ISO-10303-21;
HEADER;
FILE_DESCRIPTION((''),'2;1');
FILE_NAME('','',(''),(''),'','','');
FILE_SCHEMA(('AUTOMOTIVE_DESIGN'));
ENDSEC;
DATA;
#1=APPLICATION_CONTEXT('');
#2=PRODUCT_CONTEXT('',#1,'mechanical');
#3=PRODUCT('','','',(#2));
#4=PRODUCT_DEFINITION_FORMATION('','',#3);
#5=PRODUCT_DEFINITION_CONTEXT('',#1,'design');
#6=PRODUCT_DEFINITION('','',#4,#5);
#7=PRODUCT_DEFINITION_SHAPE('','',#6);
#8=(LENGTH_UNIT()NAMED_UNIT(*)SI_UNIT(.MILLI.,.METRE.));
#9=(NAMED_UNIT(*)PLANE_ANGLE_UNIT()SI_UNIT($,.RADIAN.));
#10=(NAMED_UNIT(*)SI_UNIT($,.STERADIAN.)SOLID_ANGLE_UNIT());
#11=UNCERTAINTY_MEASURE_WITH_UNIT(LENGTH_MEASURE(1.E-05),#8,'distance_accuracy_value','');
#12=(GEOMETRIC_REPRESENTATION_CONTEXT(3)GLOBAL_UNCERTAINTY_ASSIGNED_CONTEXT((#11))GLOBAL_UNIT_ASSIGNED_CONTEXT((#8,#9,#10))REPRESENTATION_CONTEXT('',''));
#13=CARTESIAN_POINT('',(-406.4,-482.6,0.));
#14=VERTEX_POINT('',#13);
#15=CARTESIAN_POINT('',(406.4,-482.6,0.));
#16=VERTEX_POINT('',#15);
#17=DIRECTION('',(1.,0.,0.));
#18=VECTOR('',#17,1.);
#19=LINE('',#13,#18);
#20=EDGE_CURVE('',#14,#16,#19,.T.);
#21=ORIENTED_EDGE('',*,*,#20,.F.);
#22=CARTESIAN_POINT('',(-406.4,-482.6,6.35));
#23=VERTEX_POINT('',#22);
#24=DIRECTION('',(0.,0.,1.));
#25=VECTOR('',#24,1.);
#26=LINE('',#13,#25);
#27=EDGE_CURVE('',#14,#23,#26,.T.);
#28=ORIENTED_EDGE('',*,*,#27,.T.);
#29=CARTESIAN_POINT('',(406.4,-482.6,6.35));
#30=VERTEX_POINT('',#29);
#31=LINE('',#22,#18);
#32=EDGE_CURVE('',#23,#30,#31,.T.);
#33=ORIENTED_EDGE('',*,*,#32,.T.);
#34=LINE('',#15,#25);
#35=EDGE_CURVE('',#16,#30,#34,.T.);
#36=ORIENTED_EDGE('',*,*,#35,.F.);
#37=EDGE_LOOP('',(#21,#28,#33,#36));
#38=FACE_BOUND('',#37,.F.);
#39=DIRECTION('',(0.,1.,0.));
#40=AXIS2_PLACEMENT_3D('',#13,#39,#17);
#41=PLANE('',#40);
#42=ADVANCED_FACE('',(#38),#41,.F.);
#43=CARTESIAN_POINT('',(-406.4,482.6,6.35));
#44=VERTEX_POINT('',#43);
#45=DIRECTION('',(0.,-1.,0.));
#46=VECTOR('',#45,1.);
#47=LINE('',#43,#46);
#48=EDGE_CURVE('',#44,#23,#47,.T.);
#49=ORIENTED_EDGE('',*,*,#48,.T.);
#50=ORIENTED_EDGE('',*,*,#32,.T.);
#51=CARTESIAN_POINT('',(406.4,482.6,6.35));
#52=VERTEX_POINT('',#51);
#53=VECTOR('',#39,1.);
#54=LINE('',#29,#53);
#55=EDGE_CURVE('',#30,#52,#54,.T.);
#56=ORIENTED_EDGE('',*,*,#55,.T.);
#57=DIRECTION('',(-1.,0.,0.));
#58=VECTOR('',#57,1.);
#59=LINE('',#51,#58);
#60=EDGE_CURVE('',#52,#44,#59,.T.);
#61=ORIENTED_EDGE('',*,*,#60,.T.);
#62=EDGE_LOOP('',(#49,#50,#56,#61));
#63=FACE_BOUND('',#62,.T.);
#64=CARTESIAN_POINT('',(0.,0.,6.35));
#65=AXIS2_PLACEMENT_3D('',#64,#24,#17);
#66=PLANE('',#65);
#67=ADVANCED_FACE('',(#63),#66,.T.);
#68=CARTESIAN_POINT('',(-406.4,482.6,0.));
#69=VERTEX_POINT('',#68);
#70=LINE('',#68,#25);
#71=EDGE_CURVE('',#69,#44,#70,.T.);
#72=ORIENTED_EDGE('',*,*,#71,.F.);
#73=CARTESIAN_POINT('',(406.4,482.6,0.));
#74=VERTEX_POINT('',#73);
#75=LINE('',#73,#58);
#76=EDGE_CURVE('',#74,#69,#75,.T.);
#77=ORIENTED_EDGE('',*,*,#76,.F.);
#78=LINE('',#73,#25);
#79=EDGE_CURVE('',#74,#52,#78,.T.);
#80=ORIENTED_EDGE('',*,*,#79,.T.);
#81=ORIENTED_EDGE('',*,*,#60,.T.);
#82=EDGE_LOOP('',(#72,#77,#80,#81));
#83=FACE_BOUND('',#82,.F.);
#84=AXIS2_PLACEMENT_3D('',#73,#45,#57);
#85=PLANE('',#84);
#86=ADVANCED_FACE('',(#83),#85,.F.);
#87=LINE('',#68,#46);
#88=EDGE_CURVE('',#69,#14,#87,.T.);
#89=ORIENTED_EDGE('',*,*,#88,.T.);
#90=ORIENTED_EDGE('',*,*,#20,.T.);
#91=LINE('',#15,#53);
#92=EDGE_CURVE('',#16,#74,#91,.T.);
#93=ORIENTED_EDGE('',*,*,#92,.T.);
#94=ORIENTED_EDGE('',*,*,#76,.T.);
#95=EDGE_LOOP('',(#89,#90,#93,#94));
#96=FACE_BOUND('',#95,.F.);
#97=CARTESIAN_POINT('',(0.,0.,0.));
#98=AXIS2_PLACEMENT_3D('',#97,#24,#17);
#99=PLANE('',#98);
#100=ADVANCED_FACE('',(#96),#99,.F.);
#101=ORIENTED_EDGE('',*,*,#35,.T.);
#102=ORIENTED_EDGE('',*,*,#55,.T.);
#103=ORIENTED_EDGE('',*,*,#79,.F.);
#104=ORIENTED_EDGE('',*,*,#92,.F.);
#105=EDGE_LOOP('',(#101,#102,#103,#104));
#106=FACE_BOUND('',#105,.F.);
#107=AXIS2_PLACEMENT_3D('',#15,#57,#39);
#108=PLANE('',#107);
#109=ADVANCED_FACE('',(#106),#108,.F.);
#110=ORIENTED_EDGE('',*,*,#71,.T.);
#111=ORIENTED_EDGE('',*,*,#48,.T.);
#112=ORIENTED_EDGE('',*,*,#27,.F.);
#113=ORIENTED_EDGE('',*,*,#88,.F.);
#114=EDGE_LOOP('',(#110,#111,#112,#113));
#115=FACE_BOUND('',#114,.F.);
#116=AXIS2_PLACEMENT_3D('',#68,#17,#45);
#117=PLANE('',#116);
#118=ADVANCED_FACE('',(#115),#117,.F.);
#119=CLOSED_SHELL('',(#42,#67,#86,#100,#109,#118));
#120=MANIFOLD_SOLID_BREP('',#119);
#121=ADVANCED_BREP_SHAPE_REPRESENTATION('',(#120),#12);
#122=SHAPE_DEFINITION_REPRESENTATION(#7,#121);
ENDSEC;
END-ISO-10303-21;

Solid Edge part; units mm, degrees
sketch "Sketch1" plane through (0, 0, 0) normal (0, 0, 1) x (1, 0, 0)
  line L0 (-406.4, -482.6) -> (406.4, -482.6)
  line L1 (406.4, -482.6) -> (406.4, 482.6)
  line L2 (406.4, 482.6) -> (-406.4, 482.6)
  line L3 (-406.4, 482.6) -> (-406.4, -482.6)
  dimension "D1" = 812.8
  dimension "D2" = 965.2
extrude "Protrusion1" add sketch "Sketch1" along normal blind 6.35
properties material "PVC"
